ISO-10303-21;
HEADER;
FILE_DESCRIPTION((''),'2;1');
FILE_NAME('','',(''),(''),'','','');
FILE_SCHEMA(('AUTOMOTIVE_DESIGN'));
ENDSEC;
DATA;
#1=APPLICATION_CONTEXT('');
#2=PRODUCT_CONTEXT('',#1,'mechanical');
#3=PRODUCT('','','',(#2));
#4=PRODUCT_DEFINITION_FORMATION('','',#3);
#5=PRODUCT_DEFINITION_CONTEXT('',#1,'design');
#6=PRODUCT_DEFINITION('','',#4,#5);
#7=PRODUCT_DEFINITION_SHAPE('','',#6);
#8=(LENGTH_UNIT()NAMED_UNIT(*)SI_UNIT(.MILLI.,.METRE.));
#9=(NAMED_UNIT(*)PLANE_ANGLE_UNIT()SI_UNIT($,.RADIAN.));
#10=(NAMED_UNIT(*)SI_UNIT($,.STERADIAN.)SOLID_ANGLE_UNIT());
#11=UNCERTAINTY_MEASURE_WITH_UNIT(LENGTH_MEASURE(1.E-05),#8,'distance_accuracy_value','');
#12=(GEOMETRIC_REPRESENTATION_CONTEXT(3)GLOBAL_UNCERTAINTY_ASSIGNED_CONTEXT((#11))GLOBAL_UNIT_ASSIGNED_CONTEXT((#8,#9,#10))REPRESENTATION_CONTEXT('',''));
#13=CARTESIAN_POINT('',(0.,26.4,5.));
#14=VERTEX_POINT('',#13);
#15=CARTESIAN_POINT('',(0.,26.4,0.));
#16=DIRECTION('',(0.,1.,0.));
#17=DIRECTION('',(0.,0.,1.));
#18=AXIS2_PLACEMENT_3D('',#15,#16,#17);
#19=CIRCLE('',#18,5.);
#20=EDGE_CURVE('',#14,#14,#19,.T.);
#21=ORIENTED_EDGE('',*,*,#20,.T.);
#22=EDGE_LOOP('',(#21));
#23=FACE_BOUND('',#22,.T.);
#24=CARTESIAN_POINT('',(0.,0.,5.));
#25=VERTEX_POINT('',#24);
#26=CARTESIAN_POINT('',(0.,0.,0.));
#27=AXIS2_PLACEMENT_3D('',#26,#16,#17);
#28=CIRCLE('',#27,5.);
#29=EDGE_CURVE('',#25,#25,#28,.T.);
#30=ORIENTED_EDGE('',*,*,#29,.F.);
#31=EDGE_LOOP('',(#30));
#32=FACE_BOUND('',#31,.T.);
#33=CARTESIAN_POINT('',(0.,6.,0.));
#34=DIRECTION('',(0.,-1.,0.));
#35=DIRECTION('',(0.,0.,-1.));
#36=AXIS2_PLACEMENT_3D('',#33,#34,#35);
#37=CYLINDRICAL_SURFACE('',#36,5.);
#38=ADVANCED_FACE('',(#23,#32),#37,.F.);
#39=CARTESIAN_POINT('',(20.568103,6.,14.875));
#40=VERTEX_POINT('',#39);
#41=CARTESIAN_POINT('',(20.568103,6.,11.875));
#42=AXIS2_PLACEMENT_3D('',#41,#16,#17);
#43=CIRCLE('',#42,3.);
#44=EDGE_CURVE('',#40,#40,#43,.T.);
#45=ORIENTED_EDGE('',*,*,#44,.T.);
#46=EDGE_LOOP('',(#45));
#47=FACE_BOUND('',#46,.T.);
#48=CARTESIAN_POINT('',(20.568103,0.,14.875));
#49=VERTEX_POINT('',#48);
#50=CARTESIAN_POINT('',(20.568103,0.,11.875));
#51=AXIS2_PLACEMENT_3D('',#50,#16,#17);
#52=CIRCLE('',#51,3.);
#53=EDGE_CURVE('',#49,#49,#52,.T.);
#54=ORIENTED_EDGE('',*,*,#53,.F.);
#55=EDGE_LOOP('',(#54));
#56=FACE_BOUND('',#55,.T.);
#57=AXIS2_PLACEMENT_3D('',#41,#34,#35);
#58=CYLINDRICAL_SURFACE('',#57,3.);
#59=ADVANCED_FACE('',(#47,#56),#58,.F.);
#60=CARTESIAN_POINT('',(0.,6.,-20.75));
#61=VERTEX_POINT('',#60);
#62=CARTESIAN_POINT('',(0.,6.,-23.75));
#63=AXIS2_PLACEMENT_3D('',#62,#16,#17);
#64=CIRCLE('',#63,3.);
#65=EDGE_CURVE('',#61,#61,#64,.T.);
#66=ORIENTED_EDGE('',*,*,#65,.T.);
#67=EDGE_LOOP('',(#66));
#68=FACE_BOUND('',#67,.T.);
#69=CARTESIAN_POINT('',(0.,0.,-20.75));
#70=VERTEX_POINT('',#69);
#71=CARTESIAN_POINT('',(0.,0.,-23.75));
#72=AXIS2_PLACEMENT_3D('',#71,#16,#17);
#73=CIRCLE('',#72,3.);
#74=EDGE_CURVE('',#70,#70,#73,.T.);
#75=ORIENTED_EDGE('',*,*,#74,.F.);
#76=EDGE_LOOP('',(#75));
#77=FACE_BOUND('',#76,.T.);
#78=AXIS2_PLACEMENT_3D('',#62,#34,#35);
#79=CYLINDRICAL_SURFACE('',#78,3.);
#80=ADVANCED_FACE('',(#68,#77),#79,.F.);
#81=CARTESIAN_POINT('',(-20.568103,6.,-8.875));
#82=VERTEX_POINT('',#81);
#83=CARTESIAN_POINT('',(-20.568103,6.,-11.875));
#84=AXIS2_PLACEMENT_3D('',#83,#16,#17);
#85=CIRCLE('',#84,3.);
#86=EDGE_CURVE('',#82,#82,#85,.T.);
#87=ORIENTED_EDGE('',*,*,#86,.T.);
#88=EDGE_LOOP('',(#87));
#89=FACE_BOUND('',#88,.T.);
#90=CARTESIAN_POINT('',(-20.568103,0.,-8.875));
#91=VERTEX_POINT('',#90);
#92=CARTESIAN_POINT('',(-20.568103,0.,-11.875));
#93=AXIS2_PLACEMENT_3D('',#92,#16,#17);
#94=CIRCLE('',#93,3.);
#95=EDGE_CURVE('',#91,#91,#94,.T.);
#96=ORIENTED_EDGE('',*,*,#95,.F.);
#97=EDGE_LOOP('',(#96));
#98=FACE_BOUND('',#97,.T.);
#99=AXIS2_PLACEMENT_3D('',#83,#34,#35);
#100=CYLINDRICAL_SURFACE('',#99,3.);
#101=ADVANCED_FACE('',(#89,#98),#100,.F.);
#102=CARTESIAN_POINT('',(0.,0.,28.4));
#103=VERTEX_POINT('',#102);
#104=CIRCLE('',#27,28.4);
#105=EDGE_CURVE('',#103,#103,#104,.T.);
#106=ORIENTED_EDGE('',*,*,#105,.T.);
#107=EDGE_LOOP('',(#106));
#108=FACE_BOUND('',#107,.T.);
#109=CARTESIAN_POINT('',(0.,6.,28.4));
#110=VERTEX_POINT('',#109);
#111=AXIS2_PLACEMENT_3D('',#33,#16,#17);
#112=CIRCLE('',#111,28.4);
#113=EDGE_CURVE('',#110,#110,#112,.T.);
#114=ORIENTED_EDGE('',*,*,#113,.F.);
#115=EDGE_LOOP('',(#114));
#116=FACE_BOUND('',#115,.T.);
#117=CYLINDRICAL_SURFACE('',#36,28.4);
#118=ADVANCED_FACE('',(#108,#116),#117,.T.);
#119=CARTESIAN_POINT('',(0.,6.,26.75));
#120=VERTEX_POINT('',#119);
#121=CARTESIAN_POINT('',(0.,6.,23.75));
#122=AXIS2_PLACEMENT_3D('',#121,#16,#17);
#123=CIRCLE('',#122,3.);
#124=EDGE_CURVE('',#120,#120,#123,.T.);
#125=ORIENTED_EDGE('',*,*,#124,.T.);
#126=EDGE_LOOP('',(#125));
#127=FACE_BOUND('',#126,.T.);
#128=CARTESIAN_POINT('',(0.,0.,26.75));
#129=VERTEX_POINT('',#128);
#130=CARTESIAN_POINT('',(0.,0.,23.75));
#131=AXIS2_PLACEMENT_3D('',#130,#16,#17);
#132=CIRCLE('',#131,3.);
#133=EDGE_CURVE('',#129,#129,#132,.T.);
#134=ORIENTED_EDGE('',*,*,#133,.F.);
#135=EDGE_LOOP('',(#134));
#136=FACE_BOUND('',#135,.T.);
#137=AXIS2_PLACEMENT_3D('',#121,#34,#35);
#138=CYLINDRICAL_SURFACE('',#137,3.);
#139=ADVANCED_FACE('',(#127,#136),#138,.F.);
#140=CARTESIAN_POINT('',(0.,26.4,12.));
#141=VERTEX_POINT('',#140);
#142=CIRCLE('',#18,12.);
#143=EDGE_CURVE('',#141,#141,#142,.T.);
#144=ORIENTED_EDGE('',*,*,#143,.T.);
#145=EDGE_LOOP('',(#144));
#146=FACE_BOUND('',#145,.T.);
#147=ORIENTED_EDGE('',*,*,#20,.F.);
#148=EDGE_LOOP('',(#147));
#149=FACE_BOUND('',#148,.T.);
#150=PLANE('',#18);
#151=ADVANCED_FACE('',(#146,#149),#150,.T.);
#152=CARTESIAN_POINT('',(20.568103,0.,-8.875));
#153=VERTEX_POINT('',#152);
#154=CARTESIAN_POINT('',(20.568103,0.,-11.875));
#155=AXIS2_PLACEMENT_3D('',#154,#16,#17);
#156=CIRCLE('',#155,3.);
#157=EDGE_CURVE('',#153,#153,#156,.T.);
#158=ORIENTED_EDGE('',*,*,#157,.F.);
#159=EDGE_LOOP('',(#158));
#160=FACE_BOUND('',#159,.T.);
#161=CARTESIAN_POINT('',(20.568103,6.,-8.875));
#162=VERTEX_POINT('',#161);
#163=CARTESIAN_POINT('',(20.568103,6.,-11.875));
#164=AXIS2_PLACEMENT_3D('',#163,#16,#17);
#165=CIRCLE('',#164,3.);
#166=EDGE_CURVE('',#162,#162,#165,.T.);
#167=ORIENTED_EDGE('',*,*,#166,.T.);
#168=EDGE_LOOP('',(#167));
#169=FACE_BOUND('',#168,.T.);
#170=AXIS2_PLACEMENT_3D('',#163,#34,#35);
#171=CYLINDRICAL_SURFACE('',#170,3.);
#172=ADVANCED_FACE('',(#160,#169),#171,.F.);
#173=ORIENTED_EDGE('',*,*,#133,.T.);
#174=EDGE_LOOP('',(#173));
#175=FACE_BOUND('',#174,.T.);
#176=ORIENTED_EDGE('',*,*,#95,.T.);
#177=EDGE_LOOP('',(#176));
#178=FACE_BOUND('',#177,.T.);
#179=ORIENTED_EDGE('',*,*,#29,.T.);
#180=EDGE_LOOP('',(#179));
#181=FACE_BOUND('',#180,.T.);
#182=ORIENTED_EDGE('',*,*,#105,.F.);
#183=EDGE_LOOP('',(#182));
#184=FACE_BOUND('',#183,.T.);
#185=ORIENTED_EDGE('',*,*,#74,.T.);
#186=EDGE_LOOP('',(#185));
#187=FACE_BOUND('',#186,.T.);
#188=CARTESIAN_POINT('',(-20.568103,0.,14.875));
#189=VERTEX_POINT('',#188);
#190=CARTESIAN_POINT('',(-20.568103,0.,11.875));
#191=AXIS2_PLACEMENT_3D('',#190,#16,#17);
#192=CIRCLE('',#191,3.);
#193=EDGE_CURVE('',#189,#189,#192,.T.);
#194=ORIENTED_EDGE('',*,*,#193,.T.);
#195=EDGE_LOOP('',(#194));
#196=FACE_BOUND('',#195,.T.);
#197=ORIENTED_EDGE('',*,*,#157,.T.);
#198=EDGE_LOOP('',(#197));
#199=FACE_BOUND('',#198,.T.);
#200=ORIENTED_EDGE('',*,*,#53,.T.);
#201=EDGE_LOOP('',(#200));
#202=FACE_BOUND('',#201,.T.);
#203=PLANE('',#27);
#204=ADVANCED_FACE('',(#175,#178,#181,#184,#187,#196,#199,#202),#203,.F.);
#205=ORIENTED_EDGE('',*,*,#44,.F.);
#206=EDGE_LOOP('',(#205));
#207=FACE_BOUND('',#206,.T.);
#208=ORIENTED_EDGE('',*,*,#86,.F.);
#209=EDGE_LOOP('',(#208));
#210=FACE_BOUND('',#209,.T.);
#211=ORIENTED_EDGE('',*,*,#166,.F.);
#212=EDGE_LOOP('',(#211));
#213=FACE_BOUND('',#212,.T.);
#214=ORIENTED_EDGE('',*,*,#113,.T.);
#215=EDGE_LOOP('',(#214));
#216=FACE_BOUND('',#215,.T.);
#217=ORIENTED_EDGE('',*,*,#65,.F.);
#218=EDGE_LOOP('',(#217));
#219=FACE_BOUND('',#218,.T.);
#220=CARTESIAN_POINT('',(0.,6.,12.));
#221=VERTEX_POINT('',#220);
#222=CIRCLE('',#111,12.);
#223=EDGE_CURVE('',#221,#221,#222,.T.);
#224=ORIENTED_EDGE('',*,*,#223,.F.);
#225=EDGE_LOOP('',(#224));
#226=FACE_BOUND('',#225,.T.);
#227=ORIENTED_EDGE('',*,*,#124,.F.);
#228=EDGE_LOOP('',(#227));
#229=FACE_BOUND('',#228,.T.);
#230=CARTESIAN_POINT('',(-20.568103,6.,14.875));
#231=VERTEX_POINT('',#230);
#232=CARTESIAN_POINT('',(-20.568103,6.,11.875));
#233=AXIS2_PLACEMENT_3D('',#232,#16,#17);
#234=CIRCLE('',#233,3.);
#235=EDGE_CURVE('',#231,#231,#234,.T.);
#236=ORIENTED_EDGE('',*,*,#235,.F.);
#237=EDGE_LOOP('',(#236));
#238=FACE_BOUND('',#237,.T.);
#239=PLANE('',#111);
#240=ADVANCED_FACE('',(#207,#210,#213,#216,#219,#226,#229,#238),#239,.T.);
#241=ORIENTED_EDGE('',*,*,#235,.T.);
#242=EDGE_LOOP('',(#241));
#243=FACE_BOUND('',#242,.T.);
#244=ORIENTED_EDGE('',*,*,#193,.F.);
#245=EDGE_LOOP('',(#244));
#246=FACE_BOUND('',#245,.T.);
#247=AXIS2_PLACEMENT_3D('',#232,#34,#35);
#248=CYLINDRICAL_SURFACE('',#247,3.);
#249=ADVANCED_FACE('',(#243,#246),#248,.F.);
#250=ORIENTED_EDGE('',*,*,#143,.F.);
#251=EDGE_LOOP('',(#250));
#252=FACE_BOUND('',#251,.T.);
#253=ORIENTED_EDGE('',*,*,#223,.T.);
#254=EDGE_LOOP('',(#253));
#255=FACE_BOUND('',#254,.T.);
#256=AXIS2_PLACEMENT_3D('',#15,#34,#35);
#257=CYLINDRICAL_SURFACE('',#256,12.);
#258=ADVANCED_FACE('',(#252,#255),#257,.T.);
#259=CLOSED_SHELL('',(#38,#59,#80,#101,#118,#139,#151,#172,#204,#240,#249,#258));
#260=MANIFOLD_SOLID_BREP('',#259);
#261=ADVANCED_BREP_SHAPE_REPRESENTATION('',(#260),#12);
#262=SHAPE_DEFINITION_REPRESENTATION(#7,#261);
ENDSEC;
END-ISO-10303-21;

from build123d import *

# Parameters (mm, degrees)
SKETCH1_R           = 28.4
SKETCH1_R_2         = 5
SKETCH1_R_3         = 3
BOSS_EXTRUDE3_DEPTH = 6
SKETCH5_R           = 12
SKETCH5_R_2         = 5
BOSS_EXTRUDE4_DEPTH = 20.4


with BuildPart() as part:
    # Sketch1 → Boss-Extrude3 (new body)
    with BuildSketch(Plane(origin=(0, 0, 0), x_dir=(1, 0, 0), z_dir=(0, 1, 0))):
        Circle(SKETCH1_R)
        Circle(SKETCH1_R_2, mode=Mode.SUBTRACT)
        with Locations((0, 23.75)):
            Circle(SKETCH1_R_3, mode=Mode.SUBTRACT)
        with Locations((20.56810334, 11.875)):
            Circle(SKETCH1_R_3, mode=Mode.SUBTRACT)
        with Locations((20.56810334, -11.875)):
            Circle(SKETCH1_R_3, mode=Mode.SUBTRACT)
        with Locations((0, -23.75)):
            Circle(SKETCH1_R_3, mode=Mode.SUBTRACT)
        with Locations((-20.56810334, -11.875)):
            Circle(SKETCH1_R_3, mode=Mode.SUBTRACT)
        with Locations((-20.56810334, 11.875)):
            Circle(SKETCH1_R_3, mode=Mode.SUBTRACT)
    extrude(amount=BOSS_EXTRUDE3_DEPTH)

    # Sketch5 → Boss-Extrude4 (add)
    with BuildSketch(Plane(origin=(0, 6, 0), x_dir=(1, 0, 0), z_dir=(0, 1, 0))):
        Circle(SKETCH5_R)
        Circle(SKETCH5_R_2, mode=Mode.SUBTRACT)
    extrude(amount=BOSS_EXTRUDE4_DEPTH)


solid = part.part
